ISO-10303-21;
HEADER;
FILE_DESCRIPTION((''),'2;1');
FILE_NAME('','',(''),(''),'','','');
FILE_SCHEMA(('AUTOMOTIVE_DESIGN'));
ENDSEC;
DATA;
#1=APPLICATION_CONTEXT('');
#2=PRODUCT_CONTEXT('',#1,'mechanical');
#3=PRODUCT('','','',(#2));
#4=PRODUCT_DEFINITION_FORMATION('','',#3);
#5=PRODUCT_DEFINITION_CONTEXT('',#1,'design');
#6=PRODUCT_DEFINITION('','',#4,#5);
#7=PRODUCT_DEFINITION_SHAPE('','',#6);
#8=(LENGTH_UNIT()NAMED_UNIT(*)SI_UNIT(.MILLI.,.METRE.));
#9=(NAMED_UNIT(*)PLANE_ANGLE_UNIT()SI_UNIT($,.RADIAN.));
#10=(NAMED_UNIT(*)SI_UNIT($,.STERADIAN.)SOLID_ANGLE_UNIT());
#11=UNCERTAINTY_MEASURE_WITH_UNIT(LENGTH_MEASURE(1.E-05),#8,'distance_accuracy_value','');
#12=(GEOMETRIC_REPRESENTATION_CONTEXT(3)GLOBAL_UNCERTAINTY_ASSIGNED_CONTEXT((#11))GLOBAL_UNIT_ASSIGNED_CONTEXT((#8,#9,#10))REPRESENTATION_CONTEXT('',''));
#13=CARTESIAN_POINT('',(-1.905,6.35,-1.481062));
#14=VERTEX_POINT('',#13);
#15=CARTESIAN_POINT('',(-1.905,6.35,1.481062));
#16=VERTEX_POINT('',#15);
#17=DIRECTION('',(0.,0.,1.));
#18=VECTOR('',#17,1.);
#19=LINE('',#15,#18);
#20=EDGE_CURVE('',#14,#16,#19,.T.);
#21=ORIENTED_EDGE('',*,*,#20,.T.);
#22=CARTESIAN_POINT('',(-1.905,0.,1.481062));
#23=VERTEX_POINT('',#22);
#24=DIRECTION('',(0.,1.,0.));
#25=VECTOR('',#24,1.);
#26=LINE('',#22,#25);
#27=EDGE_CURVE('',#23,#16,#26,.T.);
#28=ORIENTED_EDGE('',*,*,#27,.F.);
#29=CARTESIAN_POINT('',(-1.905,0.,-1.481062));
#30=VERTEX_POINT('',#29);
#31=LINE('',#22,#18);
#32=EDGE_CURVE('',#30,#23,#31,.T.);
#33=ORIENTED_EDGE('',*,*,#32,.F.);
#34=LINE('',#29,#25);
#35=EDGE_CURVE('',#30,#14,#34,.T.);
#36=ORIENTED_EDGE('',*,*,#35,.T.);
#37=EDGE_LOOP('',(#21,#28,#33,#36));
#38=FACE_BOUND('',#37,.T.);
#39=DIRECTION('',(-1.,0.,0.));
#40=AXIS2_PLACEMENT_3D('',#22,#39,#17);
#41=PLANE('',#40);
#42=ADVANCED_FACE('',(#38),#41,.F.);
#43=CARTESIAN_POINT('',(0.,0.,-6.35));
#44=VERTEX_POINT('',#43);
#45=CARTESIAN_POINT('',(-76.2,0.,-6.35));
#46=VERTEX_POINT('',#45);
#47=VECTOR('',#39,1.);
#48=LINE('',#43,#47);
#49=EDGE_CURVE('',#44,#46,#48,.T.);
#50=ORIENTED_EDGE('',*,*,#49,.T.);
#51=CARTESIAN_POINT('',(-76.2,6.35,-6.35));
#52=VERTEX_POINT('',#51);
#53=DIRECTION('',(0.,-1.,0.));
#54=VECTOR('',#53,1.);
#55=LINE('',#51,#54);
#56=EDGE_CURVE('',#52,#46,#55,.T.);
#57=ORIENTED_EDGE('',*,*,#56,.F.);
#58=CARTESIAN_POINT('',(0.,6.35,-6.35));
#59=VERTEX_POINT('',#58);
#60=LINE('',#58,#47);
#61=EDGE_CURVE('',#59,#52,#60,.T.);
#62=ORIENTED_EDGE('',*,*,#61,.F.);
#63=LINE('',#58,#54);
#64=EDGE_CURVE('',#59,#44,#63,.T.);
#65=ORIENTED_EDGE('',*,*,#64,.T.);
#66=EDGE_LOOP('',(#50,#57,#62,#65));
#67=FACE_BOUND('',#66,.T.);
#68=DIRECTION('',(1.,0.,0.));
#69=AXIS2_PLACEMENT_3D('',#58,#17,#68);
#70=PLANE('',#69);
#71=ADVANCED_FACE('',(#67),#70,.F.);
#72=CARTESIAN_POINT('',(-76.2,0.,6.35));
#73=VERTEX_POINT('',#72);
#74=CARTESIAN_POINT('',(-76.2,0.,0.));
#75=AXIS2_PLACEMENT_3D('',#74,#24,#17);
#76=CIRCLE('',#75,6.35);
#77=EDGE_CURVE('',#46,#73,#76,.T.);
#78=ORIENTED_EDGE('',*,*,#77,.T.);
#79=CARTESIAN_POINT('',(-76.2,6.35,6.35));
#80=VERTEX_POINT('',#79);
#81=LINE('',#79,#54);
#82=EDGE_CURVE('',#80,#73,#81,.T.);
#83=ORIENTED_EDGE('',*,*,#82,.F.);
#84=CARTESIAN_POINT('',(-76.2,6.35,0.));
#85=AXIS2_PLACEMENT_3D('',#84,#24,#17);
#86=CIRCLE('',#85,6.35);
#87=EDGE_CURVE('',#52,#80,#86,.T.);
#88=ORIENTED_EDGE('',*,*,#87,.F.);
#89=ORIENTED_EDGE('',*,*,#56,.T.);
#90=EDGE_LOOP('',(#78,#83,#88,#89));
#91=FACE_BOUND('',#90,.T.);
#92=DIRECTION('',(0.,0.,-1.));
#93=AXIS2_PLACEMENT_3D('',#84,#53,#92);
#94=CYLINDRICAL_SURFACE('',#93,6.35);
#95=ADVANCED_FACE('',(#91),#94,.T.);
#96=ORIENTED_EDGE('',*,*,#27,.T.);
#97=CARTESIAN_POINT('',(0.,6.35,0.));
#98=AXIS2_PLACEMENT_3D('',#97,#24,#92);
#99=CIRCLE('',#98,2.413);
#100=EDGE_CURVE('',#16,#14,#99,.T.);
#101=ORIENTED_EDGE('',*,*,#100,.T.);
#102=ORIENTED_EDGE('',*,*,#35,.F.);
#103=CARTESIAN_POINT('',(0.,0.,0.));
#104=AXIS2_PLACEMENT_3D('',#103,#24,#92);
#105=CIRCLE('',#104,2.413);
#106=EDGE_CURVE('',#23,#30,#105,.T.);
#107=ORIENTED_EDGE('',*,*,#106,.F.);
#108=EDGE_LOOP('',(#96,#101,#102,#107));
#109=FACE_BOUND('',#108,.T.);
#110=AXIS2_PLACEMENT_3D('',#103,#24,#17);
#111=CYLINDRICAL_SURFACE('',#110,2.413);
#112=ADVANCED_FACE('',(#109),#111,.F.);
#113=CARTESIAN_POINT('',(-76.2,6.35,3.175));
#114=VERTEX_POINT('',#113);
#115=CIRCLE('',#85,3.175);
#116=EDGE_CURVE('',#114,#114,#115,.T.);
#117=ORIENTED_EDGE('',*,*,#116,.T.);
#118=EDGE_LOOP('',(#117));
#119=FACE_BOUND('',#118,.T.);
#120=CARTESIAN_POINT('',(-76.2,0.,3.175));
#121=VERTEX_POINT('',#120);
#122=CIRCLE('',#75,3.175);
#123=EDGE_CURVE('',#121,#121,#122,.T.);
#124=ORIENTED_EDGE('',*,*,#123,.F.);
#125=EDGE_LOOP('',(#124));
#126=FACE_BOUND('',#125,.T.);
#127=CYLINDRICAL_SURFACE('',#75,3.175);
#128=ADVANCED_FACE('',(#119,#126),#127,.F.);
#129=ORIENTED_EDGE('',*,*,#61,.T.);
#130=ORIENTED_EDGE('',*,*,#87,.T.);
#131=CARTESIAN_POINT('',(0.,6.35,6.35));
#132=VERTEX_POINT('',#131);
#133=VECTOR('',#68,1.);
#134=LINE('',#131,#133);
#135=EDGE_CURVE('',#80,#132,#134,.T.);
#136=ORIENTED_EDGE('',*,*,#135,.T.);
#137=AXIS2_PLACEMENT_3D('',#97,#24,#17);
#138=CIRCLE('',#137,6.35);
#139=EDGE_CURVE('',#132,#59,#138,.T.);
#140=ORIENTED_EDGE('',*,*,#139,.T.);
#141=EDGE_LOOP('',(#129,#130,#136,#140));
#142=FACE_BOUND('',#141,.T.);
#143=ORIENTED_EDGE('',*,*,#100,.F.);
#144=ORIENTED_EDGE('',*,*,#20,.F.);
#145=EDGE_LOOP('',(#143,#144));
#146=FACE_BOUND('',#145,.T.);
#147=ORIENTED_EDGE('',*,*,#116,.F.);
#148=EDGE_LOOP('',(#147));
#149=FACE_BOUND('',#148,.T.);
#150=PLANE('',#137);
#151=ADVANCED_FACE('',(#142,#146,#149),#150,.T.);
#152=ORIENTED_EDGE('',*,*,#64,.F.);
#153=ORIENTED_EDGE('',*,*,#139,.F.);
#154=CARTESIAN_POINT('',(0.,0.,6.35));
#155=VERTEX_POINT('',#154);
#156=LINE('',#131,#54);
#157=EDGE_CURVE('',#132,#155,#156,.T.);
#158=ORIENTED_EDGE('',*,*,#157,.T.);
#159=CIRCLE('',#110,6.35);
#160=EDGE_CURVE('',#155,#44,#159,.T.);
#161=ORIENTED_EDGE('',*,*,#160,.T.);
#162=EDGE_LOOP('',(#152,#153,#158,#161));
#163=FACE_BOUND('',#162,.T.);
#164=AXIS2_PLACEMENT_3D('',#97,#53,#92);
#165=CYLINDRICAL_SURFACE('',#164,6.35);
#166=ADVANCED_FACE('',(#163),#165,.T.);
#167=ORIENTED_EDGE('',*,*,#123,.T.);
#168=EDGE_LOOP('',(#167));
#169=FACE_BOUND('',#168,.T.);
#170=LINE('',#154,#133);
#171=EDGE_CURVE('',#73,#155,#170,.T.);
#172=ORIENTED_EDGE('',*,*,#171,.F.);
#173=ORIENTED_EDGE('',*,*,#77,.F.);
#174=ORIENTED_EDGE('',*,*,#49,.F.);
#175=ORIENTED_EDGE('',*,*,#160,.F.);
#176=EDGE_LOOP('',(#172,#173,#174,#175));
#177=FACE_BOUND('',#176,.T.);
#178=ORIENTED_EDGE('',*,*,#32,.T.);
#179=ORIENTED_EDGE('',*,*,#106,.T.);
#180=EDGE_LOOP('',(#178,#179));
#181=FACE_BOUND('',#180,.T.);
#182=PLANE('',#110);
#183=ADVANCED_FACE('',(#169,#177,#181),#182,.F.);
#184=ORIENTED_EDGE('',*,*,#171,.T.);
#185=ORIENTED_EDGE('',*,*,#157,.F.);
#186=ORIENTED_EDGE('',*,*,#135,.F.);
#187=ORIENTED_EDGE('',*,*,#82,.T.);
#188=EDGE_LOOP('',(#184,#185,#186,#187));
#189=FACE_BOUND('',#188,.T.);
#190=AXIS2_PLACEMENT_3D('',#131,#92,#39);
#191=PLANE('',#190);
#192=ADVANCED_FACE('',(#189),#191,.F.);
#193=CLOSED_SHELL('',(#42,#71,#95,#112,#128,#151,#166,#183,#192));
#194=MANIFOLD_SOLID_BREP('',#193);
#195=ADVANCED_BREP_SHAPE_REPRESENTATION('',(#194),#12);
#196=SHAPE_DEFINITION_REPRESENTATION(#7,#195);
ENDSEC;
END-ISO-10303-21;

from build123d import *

# Parameters (mm, degrees)
BOSS_EXTRUDE1_DEPTH = 6.35
CUT_EXTRUDE1_DEPTH  = 84.037024874
SKETCH4_R           = 3.175
CUT_EXTRUDE3_DEPTH  = 84.037024874


with BuildPart() as part:
    # Sketch1 → Boss-Extrude1 (new body)
    with BuildSketch(Plane(origin=(0, 0, 0), x_dir=(1, 0, 0), z_dir=(0, 1, 0))):
        with BuildLine():
            Line((0, -6.35), (-76.2, -6.35))
            ThreePointArc((-76.2, -6.35), (-82.55, 0), (-76.2, 6.35))
            Line((-76.2, 6.35), (0, 6.35))
            ThreePointArc((0, 6.35), (6.35, 0), (0, -6.35))
        make_face()
    extrude(amount=BOSS_EXTRUDE1_DEPTH)

    # Sketch2 → Cut-Extrude1 (cut, through all)
    with BuildSketch(Plane(origin=(0, 6.35, 0), x_dir=(1, 0, 0), z_dir=(0, 1, 0))):
        with BuildLine():
            Line((-1.905, -1.481061781), (-1.905, 1.481061781))
            ThreePointArc((-1.905, 1.481061781), (2.413, 0), (-1.905, -1.481061781))
        make_face()
    extrude(amount=-CUT_EXTRUDE1_DEPTH, mode=Mode.SUBTRACT)

    # Sketch4 → Cut-Extrude3 (cut, through all)
    with BuildSketch(Plane(origin=(0, 6.35, 0), x_dir=(1, 0, 0), z_dir=(0, 1, 0))):
        with Locations(Location((-76.2, 0, 0), (0, 0, 270))):
            Circle(SKETCH4_R)
    extrude(amount=-CUT_EXTRUDE3_DEPTH, mode=Mode.SUBTRACT)


solid = part.part
